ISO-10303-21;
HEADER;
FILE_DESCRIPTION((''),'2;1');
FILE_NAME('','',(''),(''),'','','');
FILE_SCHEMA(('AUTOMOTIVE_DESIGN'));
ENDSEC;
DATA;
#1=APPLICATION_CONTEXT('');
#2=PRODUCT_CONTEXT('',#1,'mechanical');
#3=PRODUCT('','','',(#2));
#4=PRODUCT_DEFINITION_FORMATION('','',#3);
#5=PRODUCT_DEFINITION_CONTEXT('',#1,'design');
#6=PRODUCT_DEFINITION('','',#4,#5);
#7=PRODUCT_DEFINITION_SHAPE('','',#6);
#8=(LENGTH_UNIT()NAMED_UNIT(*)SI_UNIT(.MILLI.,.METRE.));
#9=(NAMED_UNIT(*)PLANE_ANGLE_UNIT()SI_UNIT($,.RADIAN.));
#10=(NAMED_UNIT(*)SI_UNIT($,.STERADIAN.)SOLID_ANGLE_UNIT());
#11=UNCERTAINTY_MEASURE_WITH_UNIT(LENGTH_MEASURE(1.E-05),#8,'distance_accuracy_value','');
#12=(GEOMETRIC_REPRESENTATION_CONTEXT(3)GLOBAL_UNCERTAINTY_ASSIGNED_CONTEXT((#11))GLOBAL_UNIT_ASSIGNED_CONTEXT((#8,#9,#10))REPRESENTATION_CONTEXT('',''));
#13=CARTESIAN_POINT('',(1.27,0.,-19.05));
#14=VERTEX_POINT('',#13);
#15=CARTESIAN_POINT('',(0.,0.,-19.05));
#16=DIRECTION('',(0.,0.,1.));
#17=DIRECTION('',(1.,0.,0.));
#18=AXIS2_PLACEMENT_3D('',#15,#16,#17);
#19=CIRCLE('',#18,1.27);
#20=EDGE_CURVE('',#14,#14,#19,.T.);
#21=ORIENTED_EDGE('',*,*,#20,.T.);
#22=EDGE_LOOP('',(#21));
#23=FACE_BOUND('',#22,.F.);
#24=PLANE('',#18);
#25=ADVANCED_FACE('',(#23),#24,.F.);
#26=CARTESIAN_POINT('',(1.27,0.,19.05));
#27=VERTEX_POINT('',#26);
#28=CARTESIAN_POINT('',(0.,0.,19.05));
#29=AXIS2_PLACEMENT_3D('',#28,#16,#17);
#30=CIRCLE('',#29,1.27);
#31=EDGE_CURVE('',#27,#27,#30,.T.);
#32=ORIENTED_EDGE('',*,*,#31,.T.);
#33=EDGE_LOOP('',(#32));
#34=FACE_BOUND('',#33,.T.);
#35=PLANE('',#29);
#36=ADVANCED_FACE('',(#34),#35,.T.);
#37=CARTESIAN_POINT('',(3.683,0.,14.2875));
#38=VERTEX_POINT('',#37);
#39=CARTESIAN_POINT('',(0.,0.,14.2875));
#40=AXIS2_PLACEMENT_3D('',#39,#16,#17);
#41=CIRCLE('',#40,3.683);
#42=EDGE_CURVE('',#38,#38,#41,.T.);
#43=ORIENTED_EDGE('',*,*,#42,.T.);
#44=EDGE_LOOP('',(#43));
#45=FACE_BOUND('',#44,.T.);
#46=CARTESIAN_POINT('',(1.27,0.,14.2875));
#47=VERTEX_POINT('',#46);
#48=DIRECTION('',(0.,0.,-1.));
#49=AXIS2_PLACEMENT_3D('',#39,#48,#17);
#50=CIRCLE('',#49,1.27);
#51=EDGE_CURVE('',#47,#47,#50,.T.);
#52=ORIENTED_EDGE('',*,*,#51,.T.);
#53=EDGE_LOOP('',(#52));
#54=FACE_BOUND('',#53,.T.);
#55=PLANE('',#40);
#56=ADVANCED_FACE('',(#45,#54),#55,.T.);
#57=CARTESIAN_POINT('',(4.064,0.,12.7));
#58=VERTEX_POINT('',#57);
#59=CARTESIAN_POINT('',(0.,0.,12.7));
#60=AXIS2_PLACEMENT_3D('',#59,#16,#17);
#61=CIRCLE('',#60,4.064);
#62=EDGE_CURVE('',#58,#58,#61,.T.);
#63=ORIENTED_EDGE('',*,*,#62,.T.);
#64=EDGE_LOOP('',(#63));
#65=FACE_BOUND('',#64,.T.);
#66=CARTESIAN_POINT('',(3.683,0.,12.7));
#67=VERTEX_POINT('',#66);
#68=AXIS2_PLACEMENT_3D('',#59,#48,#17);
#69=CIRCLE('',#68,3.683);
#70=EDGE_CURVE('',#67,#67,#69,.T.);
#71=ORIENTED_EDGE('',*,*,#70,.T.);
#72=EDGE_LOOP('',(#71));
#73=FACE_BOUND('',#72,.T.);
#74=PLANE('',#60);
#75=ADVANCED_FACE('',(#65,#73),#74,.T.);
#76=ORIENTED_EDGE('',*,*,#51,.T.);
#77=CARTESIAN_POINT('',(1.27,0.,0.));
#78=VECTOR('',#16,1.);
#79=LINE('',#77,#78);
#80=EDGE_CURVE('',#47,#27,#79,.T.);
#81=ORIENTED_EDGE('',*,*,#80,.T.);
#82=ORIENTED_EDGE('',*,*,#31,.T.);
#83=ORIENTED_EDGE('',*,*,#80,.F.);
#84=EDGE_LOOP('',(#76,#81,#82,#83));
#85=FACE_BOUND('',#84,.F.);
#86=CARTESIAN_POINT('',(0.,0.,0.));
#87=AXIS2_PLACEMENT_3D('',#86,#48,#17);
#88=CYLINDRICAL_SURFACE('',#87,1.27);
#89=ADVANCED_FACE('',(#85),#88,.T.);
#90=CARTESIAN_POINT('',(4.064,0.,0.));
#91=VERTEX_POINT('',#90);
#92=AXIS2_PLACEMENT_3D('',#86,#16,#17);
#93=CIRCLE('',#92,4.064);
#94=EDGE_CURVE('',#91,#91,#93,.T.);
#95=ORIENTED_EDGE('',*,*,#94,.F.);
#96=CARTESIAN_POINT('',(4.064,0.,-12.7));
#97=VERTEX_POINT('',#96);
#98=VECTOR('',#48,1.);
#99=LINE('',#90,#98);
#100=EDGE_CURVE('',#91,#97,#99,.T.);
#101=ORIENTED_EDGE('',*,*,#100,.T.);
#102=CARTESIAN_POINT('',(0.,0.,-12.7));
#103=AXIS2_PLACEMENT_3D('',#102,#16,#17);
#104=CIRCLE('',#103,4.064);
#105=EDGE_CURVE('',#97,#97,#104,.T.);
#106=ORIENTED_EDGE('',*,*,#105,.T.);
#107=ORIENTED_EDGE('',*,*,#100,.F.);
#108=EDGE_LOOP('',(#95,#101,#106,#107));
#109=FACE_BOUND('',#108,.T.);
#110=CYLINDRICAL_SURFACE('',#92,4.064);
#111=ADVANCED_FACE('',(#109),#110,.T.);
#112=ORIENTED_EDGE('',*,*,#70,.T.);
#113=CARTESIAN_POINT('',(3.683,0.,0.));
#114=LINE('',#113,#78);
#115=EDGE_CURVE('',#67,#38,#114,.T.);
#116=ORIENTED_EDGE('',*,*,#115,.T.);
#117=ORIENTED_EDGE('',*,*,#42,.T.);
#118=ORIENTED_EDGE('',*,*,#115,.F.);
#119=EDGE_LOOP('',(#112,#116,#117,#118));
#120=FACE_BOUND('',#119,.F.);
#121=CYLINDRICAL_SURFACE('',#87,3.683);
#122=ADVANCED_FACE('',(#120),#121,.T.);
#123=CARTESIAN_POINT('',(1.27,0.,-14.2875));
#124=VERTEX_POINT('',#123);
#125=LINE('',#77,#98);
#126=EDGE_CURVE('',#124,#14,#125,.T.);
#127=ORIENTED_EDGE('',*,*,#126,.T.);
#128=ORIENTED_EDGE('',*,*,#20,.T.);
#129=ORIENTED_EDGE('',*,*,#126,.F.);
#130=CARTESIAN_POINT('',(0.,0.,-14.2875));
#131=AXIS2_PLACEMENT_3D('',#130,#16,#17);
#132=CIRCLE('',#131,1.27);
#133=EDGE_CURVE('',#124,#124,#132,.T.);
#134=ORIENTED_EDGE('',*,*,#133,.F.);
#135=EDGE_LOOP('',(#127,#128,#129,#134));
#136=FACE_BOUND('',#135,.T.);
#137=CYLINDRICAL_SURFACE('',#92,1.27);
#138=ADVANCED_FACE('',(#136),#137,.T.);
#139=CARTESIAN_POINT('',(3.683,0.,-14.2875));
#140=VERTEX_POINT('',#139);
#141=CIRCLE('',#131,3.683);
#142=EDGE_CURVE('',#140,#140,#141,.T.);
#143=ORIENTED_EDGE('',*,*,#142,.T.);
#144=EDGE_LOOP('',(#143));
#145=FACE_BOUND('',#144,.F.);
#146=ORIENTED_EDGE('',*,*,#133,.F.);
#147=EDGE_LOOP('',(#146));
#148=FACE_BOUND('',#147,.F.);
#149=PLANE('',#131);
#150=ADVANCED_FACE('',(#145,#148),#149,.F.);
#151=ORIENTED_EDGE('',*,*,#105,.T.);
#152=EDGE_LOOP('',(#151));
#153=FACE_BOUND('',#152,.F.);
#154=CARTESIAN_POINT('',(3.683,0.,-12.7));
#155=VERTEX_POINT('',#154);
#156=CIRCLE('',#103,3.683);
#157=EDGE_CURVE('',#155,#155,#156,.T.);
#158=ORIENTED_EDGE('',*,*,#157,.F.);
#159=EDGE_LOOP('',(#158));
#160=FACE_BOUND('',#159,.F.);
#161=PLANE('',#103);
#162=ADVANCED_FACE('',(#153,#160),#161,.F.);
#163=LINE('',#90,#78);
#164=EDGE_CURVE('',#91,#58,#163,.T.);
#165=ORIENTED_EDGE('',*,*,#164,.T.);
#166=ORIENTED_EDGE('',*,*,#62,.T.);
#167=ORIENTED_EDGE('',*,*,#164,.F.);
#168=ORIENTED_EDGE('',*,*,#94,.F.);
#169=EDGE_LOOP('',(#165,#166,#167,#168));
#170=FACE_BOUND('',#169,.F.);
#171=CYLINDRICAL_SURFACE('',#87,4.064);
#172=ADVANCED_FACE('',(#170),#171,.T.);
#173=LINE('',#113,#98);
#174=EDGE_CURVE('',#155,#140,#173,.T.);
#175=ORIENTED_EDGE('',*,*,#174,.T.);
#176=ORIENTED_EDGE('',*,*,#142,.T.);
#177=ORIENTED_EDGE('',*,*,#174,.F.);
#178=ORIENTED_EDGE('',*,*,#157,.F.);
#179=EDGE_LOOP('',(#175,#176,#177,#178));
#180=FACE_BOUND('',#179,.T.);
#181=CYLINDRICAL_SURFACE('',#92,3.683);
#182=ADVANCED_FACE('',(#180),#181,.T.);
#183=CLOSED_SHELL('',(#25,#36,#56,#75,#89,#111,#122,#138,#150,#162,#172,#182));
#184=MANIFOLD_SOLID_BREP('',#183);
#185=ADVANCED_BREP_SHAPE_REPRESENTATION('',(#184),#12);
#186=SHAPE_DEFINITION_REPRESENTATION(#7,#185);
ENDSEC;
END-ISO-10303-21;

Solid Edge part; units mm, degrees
sketch "Sketch1" plane through (0, 0, 0) normal (0, 0, 1) x (1, 0, 0)
  circle A0 centre (0, 0) radius 1.27
extrude "Protrusion1" add sketch "Sketch1" along normal mid plane 38.1
sketch "Sketch2" plane through (0, 0, 0) normal (0, 0, 1) x (1, 0, 0)
  circle A0 centre (0, 0) radius 3.683
extrude "ExtrudedProtrusion_2" add sketch "Sketch2" along normal mid plane 28.575
sketch "Sketch3" plane through (0, 0, 0) normal (0, 0, 1) x (1, 0, 0)
  circle A0 centre (0, 0) radius 4.064
extrude "ExtrudedProtrusion_3" add sketch "Sketch3" along normal mid plane 25.4
